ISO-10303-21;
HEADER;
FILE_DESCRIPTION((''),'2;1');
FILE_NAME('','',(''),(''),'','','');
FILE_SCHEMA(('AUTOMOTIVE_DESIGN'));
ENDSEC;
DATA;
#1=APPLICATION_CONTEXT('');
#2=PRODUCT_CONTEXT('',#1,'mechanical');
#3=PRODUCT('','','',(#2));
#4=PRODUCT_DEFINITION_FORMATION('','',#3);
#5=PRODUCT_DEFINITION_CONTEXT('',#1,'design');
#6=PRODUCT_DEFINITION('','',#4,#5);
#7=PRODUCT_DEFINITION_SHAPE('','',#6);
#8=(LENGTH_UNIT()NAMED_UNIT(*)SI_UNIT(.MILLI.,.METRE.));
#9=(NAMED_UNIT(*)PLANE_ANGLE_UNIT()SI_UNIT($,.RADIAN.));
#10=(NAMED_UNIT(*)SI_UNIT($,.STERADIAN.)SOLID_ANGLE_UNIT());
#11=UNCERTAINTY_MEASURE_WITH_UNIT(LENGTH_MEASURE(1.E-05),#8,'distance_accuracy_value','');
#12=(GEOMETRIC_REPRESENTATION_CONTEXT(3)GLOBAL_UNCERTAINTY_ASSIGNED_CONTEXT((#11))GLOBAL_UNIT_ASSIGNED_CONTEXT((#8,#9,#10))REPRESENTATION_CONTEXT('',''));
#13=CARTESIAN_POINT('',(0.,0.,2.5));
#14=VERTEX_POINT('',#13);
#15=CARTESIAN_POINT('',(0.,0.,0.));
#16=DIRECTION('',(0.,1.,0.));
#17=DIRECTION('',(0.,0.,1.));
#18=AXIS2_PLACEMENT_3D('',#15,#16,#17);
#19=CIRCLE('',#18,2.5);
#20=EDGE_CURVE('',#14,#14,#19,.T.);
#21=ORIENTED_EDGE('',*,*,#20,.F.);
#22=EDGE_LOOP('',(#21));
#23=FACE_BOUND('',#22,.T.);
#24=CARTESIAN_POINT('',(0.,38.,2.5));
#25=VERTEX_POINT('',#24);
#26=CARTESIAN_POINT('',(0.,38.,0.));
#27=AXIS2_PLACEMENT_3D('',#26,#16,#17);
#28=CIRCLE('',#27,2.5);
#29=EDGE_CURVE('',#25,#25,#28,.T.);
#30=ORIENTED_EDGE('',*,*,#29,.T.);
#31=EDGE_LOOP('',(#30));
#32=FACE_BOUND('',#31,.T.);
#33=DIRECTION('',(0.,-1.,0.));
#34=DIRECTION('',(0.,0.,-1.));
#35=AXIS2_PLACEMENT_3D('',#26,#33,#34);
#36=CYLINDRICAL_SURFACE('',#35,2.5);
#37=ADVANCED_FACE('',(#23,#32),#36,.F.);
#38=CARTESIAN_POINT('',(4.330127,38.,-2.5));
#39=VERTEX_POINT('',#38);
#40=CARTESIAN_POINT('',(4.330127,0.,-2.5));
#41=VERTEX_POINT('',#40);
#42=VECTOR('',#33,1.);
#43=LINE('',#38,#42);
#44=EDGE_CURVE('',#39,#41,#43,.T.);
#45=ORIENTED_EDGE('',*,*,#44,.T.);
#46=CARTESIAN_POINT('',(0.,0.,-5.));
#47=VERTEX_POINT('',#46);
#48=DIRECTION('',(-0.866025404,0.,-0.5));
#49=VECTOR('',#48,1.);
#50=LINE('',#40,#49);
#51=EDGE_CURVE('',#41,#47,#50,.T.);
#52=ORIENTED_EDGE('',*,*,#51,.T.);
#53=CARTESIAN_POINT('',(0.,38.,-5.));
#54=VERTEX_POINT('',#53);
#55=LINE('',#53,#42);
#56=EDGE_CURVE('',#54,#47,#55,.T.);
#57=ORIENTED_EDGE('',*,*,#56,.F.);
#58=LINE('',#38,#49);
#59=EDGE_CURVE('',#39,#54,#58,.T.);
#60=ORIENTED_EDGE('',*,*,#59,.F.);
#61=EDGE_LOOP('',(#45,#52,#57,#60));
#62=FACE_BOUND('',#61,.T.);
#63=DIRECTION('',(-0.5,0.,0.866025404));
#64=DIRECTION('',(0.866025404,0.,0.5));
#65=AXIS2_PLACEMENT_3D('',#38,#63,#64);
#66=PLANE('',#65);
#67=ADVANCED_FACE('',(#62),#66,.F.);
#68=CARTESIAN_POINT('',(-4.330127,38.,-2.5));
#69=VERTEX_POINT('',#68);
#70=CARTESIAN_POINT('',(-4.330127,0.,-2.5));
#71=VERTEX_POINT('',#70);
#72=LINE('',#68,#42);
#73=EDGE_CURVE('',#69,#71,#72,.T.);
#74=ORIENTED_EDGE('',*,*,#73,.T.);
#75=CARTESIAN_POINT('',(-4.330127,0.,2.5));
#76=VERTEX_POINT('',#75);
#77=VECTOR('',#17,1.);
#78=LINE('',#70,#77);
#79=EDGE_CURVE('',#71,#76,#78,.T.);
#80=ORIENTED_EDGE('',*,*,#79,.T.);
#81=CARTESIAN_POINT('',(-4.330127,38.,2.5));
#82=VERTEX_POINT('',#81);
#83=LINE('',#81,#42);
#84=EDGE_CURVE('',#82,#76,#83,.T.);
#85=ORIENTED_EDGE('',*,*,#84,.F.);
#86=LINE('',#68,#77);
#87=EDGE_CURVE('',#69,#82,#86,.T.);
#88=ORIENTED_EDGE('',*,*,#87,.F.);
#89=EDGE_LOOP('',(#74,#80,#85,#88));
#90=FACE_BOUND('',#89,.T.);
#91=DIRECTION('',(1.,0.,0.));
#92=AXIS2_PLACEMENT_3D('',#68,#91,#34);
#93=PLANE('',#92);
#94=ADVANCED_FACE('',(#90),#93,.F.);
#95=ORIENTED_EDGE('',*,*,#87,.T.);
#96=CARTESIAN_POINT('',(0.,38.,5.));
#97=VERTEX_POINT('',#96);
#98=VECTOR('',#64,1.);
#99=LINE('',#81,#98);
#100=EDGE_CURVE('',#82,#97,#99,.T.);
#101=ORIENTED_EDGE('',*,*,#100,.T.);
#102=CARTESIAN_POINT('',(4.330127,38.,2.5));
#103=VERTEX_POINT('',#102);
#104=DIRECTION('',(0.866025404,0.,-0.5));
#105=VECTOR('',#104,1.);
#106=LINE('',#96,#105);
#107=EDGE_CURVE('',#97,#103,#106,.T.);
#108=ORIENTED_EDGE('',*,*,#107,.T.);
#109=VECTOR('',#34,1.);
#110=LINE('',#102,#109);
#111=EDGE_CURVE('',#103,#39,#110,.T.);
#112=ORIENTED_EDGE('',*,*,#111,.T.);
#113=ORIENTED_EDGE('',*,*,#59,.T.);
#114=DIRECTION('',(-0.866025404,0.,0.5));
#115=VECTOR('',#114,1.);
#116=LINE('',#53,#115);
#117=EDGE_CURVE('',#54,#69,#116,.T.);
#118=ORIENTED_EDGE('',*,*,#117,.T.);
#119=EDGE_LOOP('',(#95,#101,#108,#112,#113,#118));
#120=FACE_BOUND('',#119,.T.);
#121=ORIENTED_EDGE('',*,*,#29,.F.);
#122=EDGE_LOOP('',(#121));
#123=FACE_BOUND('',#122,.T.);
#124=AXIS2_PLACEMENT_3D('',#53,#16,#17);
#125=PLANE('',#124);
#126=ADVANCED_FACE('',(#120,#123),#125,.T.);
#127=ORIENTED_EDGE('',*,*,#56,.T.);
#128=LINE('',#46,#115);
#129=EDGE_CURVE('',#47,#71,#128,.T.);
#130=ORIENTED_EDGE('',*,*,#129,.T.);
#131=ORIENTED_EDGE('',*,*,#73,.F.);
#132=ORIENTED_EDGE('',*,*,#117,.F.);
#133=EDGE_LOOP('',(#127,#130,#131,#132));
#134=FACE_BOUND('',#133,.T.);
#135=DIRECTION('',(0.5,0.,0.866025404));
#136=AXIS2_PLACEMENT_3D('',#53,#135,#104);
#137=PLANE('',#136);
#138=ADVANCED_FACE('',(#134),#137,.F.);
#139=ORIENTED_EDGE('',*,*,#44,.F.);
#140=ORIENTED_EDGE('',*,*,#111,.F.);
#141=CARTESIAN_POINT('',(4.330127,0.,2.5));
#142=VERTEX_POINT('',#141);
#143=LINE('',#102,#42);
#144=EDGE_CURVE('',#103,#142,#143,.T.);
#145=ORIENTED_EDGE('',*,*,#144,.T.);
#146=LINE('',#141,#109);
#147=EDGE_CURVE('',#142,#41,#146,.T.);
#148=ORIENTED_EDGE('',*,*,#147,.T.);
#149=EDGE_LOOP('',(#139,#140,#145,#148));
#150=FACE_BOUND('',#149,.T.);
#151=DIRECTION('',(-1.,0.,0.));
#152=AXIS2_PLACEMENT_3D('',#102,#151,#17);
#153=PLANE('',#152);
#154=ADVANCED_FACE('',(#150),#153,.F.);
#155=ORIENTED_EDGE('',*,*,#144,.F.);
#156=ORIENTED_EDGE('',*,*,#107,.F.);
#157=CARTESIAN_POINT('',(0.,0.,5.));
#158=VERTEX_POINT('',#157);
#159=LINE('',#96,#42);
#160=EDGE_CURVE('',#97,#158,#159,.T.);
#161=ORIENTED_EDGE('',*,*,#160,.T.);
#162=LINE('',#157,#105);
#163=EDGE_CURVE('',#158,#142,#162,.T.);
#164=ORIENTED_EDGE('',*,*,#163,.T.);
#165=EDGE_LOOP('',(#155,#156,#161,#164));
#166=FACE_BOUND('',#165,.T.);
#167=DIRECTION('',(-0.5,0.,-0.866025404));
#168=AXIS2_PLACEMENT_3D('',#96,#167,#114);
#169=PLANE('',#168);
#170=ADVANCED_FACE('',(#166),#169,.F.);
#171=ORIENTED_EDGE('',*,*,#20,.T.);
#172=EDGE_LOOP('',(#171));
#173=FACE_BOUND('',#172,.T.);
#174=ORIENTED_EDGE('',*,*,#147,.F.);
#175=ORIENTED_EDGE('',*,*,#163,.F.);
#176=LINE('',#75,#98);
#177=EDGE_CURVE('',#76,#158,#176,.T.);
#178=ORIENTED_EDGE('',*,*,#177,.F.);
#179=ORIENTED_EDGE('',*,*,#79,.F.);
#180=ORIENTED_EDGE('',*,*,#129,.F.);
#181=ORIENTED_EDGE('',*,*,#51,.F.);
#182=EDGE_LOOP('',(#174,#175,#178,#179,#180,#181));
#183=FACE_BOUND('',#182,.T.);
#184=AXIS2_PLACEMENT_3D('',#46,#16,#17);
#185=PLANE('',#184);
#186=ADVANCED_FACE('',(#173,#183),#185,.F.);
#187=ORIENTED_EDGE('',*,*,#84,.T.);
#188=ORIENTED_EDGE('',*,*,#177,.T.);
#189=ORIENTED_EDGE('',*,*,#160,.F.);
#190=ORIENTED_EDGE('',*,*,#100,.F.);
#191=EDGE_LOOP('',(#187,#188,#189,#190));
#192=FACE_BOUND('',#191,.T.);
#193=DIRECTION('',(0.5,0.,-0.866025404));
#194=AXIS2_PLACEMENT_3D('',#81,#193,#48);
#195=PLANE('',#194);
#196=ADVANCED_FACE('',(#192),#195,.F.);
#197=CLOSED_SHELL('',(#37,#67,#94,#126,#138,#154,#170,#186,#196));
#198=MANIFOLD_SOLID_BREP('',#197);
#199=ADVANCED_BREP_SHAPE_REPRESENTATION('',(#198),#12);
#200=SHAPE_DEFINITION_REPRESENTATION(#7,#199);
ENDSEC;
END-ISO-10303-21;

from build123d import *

# Parameters (mm, degrees)
ESQUISSE1_R      = 2.5
EXTRUSION1_DEPTH = 38


with BuildPart() as part:
    # Esquisse1 → Extrusion1 (new body)
    with BuildSketch(Plane(origin=(0, 0, 0), x_dir=(1, 0, 0), z_dir=(0, 1, 0))):
        Polygon((0, 5), (-4.330127019, 2.5), (-4.330127019, -2.5), (0, -5), (4.330127019, -2.5), (4.330127019, 2.5), align=None)
        Circle(ESQUISSE1_R, mode=Mode.SUBTRACT)
    extrude(amount=EXTRUSION1_DEPTH)


solid = part.part
